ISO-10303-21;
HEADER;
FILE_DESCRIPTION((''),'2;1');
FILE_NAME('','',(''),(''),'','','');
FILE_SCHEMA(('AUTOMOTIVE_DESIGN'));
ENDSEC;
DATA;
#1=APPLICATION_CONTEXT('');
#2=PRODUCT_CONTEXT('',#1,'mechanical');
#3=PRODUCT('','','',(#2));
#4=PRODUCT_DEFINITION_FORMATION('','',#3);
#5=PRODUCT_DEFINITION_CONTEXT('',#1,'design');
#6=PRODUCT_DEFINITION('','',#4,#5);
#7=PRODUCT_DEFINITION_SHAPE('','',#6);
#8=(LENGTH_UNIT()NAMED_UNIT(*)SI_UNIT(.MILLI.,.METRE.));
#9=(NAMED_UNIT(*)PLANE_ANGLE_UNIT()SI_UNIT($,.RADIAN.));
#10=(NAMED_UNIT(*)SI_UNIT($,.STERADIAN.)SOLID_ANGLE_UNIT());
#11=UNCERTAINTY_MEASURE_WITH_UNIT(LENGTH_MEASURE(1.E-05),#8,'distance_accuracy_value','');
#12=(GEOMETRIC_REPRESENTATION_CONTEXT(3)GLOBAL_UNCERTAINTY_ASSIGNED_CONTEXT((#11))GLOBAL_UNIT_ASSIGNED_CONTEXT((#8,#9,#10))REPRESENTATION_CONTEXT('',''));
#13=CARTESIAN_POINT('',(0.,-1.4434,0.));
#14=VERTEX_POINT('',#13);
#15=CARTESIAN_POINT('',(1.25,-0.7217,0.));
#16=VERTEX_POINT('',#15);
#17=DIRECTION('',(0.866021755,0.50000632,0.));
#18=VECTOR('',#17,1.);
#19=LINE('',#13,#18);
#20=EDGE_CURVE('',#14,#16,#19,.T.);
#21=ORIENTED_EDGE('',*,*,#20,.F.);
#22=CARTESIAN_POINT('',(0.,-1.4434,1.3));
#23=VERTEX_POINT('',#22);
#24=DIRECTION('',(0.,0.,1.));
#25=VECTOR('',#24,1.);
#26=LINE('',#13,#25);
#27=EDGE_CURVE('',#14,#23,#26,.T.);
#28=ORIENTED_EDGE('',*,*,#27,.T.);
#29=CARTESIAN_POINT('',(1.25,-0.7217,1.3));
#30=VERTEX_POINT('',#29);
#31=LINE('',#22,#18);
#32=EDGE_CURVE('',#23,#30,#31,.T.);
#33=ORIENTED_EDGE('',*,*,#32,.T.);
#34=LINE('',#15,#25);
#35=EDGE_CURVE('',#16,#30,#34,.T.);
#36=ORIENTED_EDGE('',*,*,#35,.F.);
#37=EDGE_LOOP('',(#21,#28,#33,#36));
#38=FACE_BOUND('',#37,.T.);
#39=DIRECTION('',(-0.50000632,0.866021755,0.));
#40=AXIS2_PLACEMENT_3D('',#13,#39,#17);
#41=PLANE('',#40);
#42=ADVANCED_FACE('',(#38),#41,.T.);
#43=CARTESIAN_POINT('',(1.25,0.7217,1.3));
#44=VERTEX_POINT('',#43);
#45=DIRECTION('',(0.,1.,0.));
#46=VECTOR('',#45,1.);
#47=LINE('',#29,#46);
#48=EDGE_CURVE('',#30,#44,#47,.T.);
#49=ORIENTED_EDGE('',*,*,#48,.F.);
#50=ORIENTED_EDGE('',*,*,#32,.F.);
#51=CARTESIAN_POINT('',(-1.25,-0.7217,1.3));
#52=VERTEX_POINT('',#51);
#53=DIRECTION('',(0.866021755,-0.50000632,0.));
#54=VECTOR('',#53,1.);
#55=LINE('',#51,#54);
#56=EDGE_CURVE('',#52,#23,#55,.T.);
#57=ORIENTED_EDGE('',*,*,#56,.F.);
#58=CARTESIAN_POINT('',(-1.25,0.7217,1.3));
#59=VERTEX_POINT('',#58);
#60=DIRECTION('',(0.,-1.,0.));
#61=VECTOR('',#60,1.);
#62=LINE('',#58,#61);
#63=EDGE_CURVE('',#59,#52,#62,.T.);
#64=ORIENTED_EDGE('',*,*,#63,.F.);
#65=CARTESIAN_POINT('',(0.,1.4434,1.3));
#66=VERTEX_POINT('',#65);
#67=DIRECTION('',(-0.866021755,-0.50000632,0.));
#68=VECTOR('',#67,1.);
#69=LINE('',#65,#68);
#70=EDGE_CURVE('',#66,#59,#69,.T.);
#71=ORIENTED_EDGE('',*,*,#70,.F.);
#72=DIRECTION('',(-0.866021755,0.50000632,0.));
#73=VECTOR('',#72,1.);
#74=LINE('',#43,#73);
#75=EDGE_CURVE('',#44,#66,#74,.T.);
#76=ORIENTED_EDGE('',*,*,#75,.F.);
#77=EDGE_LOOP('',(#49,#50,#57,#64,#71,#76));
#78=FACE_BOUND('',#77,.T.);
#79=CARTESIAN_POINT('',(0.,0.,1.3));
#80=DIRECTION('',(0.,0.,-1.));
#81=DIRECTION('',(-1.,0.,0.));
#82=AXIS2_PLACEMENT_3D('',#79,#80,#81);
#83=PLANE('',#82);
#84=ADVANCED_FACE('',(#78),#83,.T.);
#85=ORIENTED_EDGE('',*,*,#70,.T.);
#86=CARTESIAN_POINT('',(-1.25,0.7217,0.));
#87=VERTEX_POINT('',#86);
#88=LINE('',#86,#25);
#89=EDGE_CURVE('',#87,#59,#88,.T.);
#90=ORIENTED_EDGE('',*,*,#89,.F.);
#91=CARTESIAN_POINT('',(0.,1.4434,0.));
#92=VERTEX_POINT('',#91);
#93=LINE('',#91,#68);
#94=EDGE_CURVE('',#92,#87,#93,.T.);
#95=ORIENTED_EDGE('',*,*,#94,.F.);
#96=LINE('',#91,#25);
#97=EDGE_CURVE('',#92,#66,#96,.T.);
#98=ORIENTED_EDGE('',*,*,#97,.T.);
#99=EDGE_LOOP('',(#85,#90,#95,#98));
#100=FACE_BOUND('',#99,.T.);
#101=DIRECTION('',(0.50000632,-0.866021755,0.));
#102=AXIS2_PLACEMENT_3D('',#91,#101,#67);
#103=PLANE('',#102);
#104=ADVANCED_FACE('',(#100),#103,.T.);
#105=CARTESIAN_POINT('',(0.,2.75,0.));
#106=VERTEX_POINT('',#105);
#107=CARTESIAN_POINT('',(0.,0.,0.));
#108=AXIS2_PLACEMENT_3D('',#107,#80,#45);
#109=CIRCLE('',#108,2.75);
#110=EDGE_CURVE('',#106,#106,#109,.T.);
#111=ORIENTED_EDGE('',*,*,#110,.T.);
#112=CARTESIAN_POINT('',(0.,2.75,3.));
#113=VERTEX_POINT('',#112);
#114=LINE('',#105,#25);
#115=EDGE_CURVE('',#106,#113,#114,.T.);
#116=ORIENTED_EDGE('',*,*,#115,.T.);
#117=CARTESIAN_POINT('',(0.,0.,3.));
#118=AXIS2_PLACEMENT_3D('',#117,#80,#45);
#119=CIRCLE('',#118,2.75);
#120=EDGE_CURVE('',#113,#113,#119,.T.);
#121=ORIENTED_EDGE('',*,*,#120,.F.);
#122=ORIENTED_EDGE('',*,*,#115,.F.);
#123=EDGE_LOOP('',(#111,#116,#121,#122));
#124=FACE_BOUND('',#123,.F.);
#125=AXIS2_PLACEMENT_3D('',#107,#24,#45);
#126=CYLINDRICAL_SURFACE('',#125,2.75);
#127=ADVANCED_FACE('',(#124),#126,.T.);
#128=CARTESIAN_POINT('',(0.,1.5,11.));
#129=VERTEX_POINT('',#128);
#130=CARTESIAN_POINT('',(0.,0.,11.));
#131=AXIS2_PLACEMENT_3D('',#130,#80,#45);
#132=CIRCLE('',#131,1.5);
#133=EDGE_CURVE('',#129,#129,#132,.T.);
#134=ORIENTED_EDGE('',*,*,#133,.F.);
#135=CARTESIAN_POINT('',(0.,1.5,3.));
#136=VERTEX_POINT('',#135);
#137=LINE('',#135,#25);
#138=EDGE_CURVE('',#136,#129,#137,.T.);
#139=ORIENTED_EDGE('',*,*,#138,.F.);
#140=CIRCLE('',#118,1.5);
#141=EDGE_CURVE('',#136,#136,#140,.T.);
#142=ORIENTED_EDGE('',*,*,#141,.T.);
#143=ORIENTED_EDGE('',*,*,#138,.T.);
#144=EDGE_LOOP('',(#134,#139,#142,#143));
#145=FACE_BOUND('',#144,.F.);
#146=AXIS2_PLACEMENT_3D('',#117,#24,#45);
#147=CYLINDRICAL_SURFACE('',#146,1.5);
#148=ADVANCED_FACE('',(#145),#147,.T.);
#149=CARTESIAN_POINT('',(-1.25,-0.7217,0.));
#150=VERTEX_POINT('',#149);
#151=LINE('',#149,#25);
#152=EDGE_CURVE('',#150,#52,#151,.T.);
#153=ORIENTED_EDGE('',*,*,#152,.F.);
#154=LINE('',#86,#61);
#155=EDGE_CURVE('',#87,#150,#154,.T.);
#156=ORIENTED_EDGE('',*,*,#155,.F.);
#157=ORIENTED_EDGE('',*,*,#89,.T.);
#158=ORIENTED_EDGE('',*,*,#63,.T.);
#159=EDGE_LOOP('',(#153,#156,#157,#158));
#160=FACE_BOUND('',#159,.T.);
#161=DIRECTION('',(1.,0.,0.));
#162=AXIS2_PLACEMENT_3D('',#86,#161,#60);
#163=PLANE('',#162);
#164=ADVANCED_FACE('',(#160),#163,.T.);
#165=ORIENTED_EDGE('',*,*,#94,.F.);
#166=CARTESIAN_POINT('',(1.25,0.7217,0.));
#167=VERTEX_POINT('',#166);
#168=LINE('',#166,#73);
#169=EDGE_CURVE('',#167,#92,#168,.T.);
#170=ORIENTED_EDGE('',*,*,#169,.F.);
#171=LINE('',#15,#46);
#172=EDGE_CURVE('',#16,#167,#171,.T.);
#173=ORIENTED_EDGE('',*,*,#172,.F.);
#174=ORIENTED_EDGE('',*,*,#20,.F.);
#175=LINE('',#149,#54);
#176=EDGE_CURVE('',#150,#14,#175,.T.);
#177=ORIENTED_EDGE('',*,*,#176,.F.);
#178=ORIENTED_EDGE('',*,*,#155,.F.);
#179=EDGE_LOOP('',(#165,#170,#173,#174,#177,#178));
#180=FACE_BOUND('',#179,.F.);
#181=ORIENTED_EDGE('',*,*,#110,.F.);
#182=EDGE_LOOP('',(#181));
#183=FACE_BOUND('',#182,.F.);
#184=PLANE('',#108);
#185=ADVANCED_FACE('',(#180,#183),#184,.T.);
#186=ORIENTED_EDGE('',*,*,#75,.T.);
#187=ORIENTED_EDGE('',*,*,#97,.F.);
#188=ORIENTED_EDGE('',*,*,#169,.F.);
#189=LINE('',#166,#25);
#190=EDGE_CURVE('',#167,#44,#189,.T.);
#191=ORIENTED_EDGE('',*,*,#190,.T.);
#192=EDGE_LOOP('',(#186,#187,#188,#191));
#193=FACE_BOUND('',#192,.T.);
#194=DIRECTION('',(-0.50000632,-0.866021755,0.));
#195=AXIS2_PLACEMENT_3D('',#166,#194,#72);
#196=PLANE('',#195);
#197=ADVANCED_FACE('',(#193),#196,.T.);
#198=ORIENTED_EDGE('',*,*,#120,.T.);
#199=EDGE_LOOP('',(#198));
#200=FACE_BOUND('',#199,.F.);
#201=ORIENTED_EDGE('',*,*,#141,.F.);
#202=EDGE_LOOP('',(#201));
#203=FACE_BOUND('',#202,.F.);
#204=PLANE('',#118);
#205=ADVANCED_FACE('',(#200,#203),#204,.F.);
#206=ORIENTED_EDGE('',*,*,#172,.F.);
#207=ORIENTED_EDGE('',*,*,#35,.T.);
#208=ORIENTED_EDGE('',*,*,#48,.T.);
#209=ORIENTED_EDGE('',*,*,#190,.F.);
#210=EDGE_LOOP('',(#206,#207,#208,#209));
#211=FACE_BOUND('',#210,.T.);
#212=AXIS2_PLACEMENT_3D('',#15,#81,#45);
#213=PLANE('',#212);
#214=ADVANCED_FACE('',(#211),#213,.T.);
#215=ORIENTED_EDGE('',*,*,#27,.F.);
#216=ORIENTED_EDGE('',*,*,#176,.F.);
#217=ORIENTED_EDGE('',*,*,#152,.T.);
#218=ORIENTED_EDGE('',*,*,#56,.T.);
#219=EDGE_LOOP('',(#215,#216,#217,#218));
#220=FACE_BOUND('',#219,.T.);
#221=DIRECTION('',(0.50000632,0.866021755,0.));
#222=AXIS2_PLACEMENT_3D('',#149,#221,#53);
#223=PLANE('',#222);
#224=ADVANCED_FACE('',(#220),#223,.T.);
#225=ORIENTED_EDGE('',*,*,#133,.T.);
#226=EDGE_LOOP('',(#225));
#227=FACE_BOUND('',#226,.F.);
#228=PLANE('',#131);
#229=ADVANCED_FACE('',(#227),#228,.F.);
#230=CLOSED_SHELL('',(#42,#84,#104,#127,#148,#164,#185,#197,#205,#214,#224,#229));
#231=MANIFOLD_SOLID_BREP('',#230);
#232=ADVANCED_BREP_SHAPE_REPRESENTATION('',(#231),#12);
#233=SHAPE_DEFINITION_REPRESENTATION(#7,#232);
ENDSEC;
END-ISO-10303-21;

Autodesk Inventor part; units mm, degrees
ref_plane "YZ Plane" through (0, 0, 0) normal (1, 0, 0) x (0, 1, 0)
ref_plane "XZ Plane" through (0, 0, 0) normal (0, 1, 0) x (-1, 0, 0)
ref_plane "XY Plane" through (0, 0, 0) normal (0, 0, 1) x (1, 0, 0)
sketch "スケッチ1" plane through (0, 0, 0) normal (1, 0, 0) x (0, 1, 0)
  line L0 (0, 11) -> (0, 0)
  line L1 (0, 0) -> (2.75, 0)
  line L2 (2.75, 0) -> (2.75, 3)
  line L3 (2.75, 3) -> (1.5, 3)
  line L4 (1.5, 3) -> (1.5, 11)
  line L5 (1.5, 11) -> (0, 11)
  dimension "d2" = 3
  dimension "d10" = 8
  dimension "d11" = 3
  dimension "d12" = 5.5
revolve "回転1" add sketch "スケッチ1" angle 360 about axis through (0, 0, 11) along (0, 0, -1)
thread "ねじ1" size "M3x0.5" class "6g" standard "ANSI Metric M Profile" full length
sketch "スケッチ2" plane through (0, 0, 0) normal (0, 0, -1) x (-1, 0, 0)
  line L0 (0, 1.4434) -> (1.25, 0.7217)
  line L1 (1.25, 0.7217) -> (1.25, -0.7217)
  line L2 (1.25, -0.7217) -> (0, -1.4434)
  line L3 (0, -1.4434) -> (-1.25, -0.7217)
  line L4 (-1.25, -0.7217) -> (-1.25, 0.7217)
  line L5 (-1.25, 0.7217) -> (0, 1.4434)
  circle A0 centre (0, 0) radius 2.75 projected
  line L6 (0, 2.75) -> (0, -2.75) construction
  dimension "d7" = 2.5
extrude "押し出し1" cut sketch "スケッチ2" against normal blind 1.3 contours L0 L1 L2 L3 L4 L5
properties part number "UC-0308" material "ステンレス鋼 AISI 304"
